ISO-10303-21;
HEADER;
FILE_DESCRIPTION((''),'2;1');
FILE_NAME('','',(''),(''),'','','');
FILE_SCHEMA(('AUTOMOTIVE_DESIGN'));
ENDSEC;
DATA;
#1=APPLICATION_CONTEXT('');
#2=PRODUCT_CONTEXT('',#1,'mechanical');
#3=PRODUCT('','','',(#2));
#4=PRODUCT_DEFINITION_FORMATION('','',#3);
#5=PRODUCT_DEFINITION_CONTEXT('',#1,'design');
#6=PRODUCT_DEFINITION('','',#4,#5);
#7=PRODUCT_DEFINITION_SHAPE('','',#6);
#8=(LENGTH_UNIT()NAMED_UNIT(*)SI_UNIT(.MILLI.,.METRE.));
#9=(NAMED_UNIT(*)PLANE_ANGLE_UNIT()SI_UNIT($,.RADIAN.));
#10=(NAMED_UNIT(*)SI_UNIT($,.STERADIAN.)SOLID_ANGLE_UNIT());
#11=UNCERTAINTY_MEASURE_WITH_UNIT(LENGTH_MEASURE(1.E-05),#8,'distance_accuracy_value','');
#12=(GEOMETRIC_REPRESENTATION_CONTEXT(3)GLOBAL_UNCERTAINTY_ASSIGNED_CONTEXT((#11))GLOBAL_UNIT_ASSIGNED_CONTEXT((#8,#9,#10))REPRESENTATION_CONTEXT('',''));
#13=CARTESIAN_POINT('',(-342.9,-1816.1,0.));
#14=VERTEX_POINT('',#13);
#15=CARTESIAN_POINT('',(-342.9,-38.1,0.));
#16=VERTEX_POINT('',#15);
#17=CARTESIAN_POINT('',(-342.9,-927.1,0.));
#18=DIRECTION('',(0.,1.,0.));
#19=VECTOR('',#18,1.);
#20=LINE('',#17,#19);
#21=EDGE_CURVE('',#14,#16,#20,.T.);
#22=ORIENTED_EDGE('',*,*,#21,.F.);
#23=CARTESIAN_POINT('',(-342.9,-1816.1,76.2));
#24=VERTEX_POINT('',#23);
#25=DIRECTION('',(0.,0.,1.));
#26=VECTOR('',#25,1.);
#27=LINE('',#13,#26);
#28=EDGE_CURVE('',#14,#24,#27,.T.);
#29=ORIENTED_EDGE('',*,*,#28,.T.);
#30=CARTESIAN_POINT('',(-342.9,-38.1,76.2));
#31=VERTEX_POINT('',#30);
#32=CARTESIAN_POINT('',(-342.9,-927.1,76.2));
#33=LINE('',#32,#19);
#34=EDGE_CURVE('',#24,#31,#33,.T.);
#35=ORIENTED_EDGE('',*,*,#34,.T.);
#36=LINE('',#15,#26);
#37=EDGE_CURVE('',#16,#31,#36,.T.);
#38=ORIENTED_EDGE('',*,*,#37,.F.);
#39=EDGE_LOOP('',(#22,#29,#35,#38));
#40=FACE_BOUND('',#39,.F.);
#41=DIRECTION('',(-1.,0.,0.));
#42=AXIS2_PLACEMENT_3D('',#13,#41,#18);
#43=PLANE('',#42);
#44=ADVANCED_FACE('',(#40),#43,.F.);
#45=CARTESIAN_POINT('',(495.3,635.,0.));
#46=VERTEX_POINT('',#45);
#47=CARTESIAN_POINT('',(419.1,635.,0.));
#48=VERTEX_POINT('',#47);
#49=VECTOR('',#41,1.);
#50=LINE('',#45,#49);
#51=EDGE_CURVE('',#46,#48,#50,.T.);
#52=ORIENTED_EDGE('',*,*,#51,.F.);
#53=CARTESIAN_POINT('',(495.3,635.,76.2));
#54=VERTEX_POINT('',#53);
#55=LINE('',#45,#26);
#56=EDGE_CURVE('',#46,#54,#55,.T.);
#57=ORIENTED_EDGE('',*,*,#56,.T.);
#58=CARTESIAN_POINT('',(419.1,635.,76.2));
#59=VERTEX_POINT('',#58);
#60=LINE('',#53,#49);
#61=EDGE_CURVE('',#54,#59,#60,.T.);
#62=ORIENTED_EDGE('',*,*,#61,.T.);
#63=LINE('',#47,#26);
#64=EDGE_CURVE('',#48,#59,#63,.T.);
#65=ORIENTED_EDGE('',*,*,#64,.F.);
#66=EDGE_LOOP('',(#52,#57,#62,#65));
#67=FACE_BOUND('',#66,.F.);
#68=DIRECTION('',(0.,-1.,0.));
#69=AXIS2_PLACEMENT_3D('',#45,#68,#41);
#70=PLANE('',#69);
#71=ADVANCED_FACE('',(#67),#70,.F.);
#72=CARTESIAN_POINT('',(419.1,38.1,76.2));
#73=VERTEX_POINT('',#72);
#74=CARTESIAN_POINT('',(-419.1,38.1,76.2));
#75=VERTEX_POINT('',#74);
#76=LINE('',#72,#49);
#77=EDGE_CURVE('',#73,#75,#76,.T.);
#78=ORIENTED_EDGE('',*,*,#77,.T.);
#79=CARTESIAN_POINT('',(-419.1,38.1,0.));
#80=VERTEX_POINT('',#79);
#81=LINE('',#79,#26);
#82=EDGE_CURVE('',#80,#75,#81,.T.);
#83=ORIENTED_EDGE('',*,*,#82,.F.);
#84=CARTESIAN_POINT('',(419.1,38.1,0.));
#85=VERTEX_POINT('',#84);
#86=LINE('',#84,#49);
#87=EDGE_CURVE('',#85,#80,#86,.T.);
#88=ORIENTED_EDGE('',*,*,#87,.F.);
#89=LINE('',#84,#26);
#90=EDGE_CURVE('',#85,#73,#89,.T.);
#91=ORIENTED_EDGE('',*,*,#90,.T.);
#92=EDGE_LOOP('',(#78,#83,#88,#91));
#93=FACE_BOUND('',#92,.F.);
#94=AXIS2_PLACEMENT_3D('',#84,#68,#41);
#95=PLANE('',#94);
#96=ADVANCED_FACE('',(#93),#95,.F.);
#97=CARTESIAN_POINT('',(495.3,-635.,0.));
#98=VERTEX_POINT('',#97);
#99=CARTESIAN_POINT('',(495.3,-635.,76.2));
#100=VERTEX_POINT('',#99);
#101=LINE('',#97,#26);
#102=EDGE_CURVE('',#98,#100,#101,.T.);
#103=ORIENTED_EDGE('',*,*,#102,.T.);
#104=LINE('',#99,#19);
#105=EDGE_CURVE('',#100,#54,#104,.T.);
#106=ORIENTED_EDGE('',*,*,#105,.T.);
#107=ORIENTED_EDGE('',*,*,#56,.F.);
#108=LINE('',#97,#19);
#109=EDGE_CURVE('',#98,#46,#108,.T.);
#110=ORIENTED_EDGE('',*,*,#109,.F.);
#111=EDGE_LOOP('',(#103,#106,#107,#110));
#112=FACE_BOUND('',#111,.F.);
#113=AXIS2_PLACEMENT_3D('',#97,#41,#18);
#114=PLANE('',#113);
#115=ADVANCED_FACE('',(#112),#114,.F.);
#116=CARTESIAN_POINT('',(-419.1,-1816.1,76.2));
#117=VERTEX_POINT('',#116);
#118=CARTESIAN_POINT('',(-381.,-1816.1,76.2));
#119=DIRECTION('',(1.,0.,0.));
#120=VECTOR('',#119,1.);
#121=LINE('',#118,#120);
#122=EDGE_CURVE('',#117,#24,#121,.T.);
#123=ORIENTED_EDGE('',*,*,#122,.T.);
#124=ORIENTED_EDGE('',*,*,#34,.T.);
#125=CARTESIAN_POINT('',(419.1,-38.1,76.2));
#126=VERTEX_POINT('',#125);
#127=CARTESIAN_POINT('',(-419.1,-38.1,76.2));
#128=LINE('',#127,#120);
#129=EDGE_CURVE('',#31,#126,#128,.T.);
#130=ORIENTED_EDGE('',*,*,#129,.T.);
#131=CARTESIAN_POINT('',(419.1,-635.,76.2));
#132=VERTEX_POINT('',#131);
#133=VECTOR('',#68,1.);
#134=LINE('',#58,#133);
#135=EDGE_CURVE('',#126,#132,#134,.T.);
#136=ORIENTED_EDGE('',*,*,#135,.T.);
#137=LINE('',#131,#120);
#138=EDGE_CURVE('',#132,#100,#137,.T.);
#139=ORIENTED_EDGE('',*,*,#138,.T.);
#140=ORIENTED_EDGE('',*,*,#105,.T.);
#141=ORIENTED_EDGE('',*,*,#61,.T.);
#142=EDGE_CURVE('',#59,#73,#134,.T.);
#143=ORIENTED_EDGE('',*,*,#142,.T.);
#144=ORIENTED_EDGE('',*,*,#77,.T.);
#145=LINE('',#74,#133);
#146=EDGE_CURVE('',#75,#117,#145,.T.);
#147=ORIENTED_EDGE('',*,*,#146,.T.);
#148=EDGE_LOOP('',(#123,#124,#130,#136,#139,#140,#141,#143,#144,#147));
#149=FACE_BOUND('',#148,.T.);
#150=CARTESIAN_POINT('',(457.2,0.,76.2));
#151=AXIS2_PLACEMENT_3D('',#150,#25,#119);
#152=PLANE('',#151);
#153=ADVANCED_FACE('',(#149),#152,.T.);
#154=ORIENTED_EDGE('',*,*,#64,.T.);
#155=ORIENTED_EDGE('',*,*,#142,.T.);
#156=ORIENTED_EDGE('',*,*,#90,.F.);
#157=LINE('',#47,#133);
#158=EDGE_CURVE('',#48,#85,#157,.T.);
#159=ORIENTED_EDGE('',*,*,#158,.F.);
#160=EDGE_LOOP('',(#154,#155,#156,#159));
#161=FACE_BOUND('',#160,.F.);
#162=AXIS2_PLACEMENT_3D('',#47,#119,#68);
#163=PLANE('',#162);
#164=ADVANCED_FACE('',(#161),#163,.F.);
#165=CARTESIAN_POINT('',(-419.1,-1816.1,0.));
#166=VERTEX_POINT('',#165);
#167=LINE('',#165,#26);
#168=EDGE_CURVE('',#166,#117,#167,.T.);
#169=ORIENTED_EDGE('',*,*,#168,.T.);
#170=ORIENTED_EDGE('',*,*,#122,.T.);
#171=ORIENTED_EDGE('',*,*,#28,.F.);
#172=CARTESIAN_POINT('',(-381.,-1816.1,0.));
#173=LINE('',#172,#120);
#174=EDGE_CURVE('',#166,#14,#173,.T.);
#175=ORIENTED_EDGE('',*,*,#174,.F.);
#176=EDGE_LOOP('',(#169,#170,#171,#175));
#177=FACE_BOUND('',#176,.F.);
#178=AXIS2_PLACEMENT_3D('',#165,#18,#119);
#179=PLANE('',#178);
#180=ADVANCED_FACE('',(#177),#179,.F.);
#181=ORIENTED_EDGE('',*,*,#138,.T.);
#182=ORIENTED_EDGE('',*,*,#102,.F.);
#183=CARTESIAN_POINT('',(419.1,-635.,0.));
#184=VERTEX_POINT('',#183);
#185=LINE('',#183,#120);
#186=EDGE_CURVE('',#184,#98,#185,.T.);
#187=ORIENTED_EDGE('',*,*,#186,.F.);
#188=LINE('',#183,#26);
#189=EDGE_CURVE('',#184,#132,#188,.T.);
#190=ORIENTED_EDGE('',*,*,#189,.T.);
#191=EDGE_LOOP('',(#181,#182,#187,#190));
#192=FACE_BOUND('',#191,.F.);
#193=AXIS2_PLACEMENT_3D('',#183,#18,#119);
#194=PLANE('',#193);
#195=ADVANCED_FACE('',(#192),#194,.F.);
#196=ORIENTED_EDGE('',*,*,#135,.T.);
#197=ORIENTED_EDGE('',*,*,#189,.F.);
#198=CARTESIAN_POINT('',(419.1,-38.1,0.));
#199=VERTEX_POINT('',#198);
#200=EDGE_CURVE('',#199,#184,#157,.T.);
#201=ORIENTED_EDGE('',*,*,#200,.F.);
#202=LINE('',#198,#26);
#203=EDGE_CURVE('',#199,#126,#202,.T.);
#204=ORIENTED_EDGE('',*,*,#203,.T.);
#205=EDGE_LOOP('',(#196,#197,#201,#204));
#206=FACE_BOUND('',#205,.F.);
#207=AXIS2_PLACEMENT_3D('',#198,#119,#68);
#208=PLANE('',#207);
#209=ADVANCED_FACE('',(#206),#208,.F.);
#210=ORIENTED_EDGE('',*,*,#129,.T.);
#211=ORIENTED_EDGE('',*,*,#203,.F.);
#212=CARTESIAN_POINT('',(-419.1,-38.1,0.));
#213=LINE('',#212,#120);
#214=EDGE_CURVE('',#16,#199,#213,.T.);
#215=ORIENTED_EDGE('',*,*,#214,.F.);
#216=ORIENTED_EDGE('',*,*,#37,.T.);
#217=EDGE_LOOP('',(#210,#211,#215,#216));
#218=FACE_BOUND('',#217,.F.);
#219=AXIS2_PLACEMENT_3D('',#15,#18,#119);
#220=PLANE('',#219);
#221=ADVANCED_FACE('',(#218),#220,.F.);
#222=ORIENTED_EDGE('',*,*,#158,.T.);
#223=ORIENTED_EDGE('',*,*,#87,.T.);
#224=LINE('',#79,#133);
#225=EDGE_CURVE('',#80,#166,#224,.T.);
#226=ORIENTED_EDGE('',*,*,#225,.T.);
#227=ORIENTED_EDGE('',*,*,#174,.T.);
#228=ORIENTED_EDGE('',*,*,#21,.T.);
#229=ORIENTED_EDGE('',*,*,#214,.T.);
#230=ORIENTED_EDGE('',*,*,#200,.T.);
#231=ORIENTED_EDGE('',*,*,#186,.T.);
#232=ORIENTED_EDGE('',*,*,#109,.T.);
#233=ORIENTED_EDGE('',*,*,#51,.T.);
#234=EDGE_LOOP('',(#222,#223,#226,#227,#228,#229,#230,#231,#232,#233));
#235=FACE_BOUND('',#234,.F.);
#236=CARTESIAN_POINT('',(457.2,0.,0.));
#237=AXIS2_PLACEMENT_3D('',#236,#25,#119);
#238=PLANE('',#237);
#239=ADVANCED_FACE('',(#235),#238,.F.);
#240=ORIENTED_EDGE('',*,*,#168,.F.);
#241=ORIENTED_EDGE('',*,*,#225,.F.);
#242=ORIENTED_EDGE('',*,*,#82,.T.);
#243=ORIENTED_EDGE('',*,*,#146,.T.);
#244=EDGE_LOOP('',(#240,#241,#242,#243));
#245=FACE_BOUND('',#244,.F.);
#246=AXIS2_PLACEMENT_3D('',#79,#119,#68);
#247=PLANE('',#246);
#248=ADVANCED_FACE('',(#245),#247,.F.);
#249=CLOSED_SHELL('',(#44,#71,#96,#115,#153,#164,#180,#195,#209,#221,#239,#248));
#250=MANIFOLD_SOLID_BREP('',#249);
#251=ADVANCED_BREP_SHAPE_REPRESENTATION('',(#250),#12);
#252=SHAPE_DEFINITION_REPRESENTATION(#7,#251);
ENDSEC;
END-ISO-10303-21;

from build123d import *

# Parameters (mm, degrees)
F0_W     = 76.2
F0_H     = 1778
F1_DEPTH = 76.2


with BuildPart() as f1:
    # F0 (on Top) → F1 (new body)
    with BuildSketch(Plane.XY):
        Polygon((419.1, 0), (419.1, -38.1), (419.1, -635), (495.3, -635), (495.3, 635), (419.1, 635), (419.1, 38.1), align=None)
        Polygon((-419.1, 38.1), (-419.1, -38.1), (-342.9, -38.1), (419.1, -38.1), (419.1, 0), (419.1, 38.1), align=None)
        with Locations((-381, -927.1)):
            Rectangle(F0_W, F0_H)
    extrude(amount=F1_DEPTH)


solid = f1.part
